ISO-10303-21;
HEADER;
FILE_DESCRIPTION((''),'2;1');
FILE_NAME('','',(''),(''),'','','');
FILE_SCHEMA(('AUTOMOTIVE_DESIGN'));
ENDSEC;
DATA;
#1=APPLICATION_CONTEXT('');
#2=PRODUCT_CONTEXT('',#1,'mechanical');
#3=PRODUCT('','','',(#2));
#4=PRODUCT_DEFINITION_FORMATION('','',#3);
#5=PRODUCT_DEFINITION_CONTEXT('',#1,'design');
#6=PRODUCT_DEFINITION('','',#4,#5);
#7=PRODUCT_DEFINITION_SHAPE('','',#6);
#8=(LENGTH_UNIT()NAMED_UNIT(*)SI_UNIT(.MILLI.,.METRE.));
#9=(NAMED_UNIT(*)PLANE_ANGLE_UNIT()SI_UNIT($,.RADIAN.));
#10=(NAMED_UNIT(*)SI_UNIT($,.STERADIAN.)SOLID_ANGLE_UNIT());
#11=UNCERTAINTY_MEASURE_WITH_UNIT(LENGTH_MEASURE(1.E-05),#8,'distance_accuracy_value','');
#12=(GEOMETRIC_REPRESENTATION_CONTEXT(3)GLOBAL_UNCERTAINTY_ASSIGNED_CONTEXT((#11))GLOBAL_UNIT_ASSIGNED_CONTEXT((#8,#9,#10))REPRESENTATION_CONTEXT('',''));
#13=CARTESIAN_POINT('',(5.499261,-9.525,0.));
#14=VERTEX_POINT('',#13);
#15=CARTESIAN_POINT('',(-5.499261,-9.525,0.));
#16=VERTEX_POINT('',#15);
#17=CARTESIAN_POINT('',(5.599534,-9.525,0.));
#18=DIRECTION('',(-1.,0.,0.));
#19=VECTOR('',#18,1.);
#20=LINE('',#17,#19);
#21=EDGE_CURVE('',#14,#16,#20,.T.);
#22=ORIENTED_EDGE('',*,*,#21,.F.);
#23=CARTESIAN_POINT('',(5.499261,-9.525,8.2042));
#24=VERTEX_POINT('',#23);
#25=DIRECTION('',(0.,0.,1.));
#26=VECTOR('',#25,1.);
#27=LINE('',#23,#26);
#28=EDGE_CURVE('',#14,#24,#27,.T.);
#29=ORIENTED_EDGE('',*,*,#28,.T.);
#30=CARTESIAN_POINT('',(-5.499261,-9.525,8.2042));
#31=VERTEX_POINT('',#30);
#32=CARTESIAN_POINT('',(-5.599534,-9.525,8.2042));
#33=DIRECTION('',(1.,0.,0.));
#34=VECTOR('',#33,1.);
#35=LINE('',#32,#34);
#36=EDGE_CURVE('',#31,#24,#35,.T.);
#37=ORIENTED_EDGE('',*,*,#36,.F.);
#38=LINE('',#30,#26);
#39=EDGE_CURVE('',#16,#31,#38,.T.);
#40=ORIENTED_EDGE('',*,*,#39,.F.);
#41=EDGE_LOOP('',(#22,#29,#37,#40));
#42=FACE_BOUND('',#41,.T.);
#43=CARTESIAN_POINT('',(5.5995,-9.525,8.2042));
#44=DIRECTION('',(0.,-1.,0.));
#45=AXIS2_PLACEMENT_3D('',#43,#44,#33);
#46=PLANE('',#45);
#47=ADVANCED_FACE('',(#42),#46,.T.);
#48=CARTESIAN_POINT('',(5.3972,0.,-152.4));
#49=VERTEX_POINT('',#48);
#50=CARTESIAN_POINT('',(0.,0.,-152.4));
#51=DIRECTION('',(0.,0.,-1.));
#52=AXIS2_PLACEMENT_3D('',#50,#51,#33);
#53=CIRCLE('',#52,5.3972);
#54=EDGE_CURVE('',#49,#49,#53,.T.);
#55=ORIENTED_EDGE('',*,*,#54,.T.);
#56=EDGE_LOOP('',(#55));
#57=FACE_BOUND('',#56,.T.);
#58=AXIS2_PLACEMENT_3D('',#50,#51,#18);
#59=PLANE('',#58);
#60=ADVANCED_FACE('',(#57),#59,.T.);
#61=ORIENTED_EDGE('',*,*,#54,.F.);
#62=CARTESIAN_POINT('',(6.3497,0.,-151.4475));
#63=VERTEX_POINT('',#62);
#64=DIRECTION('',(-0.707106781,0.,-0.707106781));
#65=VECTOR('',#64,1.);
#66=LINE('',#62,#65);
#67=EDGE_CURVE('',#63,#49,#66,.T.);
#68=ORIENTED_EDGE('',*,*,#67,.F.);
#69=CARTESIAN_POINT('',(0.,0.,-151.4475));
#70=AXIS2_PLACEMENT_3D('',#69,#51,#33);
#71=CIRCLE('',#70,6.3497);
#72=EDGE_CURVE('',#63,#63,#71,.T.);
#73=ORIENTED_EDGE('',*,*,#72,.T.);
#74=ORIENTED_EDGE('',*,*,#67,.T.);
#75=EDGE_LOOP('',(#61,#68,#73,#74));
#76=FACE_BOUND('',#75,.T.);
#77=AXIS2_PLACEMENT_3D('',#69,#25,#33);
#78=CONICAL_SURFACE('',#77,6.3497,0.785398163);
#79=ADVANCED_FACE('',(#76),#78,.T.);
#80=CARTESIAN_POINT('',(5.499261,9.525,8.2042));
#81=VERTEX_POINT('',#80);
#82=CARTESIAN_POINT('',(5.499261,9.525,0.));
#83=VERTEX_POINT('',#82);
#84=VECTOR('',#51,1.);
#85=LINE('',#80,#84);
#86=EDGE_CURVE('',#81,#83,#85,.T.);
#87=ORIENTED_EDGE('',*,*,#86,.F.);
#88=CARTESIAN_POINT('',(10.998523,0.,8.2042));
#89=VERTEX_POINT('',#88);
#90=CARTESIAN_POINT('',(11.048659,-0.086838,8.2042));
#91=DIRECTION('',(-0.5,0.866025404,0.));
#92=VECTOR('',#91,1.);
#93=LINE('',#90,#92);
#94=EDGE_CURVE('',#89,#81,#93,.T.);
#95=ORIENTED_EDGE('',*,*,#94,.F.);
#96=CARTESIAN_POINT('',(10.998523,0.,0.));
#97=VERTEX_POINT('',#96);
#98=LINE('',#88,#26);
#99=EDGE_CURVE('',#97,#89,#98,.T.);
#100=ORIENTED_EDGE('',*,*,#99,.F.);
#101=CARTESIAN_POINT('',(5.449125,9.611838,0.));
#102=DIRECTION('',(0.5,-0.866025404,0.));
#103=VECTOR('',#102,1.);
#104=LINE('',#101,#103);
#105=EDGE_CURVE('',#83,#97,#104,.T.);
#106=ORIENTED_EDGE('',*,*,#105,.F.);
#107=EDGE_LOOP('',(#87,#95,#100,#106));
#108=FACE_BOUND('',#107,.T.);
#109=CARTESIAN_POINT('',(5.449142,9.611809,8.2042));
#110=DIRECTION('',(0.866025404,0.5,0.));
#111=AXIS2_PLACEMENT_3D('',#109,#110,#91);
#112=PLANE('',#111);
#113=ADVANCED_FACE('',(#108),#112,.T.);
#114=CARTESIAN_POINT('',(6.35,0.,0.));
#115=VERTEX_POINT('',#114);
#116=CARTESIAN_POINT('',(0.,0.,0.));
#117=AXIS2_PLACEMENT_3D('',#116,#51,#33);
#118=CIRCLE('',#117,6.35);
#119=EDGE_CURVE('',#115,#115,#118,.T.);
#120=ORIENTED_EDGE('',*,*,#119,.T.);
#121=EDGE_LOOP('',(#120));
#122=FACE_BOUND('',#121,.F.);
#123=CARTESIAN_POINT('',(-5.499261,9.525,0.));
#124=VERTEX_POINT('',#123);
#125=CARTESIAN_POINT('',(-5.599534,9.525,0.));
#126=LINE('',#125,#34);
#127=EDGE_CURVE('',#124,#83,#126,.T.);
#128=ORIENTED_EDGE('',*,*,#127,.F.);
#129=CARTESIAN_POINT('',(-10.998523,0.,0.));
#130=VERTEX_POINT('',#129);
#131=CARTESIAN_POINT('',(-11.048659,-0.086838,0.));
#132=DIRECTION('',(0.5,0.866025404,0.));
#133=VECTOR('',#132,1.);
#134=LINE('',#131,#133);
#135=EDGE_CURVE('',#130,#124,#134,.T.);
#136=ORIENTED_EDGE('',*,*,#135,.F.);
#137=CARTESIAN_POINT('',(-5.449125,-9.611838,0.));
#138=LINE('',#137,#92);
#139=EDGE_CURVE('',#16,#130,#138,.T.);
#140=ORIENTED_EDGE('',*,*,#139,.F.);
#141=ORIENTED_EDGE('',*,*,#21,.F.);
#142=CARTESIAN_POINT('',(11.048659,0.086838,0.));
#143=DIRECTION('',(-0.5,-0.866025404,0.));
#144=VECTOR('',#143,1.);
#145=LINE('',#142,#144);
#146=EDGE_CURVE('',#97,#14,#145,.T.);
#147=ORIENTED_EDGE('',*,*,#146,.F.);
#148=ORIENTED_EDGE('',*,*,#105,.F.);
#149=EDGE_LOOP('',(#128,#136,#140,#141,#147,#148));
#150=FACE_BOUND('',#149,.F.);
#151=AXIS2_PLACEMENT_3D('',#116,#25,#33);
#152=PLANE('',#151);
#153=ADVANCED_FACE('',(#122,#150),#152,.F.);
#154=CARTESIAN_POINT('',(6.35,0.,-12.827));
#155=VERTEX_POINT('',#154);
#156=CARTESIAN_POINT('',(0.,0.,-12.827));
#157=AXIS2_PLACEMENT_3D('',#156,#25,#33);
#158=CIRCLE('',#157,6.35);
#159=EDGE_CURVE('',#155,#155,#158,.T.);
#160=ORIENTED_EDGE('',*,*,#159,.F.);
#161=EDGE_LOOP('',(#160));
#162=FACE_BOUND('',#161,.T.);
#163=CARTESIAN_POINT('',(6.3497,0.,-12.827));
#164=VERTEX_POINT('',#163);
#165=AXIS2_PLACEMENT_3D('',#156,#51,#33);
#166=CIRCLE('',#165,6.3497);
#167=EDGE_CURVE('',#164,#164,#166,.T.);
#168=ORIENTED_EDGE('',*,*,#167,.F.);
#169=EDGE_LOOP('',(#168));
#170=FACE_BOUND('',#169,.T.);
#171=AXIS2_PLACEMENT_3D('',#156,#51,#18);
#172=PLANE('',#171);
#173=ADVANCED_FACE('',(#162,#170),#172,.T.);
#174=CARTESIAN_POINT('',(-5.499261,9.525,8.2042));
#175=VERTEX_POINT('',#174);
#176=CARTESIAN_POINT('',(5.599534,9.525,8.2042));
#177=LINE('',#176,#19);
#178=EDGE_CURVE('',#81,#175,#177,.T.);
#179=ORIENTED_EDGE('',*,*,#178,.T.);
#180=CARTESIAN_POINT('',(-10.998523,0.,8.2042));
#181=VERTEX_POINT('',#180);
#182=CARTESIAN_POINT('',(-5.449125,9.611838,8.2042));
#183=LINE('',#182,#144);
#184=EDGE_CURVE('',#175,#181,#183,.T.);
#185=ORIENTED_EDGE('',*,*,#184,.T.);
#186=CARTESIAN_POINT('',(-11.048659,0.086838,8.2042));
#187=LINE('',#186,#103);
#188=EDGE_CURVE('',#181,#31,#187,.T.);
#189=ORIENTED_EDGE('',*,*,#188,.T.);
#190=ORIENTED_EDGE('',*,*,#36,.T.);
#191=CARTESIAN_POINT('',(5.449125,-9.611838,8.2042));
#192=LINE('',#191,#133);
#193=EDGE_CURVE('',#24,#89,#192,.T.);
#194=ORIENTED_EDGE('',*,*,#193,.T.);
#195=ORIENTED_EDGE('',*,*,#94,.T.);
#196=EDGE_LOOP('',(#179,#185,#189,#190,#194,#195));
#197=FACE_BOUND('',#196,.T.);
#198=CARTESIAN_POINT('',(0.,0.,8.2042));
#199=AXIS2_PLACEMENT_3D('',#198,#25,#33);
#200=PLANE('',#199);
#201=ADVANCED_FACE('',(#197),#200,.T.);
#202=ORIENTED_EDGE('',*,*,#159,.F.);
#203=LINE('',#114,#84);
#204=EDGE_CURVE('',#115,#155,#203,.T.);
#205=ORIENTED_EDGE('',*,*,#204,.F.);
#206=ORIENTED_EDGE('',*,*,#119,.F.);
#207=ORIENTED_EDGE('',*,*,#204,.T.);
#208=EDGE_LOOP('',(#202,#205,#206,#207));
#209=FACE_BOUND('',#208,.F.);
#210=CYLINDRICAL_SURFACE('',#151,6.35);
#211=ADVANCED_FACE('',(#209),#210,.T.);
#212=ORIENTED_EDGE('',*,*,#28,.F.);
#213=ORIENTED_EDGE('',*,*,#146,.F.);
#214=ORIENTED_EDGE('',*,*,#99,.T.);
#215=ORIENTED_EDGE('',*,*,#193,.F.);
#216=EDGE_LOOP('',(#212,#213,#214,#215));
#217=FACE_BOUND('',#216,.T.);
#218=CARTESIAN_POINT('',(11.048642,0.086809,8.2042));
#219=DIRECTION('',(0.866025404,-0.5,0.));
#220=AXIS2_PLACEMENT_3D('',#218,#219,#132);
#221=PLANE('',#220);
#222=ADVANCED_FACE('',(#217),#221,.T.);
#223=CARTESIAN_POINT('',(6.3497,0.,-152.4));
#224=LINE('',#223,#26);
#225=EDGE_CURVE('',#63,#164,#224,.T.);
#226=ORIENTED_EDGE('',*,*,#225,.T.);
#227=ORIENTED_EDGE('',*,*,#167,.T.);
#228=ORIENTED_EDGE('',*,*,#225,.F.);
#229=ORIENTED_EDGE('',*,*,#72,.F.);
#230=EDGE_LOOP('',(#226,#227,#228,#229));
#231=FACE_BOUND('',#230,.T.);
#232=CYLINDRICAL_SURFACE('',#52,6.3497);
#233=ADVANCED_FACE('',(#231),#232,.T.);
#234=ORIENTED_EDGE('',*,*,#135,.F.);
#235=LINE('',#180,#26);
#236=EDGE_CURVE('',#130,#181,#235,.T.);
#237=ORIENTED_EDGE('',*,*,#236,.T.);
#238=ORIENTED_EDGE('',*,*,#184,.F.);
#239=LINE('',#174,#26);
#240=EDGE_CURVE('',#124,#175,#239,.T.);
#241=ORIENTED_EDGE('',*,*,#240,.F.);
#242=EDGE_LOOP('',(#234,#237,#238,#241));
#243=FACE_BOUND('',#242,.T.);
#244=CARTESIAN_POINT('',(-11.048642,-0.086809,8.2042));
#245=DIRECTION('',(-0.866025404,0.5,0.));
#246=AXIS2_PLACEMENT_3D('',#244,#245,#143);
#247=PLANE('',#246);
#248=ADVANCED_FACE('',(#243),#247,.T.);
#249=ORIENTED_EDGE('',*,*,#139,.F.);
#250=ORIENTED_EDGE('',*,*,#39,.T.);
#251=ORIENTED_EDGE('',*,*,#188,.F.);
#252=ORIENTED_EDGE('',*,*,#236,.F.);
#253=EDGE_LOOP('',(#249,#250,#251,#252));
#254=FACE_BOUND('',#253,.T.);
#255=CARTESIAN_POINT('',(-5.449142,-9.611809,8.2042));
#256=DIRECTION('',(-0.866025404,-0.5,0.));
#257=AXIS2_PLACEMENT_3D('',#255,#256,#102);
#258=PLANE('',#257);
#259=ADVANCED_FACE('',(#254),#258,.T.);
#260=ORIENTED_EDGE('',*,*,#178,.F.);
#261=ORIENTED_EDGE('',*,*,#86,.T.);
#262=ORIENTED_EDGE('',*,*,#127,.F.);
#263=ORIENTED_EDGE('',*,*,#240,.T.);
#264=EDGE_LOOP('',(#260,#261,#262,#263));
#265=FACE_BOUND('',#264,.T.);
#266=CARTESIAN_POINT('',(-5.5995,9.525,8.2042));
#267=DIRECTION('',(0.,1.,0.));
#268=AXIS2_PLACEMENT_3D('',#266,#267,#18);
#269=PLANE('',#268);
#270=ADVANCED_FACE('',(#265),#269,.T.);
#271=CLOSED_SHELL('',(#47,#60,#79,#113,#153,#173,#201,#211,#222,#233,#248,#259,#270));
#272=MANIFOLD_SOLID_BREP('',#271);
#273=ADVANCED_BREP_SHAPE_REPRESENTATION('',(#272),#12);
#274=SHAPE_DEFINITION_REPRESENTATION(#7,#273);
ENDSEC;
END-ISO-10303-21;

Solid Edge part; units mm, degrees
sketch "Sketch1" plane through (0, 0, 0) normal (0, 0, 1) x (1, 0, 0)
  circle A0 centre (0, 0) radius 11.049
  dimension "D1" = 22.098
extrude "Protrusion1" add sketch "Sketch1" along normal blind 8.2042
sketch "Sketch2" plane through (0, 0, 0) normal (0, 0, -1) x (1, 0, 0)
  circle A0 centre (0, 0) radius 6.35
extrude "Protrusion2" add sketch "Sketch2" along normal blind 152.4
sketch "Sketch3" plane through (0, 0, -152.4) normal (0, 0, -1) x (1, 0, 0)
  circle A0 centre (0, 0) radius 6.3497
extrude "Cutout1" cut sketch "Sketch3" against normal blind 139.573 flip side to cut
chamfer "Chamfer_1" distance 0.9525 angle 45 1 edges at (-6.3497, 0, -152.4)
sketch "Sketch4" plane through (0, 0, 8.2042) normal (0, 0, 1) x (1, 0, 0)
  line L0 (-5.5995, 9.525) -> (5.5995, 9.525)
  dimension "D1" = 19.05
extrude "Cutout2" cut sketch "Sketch4" against normal up to next material side at (0, 9.575, 8.2042)
pattern_circular "Pattern1" count 6 over 360 about axis through (0, 0, 8.2042) along (0, 0, 1) of "Cutout2"
properties part number "163028"
